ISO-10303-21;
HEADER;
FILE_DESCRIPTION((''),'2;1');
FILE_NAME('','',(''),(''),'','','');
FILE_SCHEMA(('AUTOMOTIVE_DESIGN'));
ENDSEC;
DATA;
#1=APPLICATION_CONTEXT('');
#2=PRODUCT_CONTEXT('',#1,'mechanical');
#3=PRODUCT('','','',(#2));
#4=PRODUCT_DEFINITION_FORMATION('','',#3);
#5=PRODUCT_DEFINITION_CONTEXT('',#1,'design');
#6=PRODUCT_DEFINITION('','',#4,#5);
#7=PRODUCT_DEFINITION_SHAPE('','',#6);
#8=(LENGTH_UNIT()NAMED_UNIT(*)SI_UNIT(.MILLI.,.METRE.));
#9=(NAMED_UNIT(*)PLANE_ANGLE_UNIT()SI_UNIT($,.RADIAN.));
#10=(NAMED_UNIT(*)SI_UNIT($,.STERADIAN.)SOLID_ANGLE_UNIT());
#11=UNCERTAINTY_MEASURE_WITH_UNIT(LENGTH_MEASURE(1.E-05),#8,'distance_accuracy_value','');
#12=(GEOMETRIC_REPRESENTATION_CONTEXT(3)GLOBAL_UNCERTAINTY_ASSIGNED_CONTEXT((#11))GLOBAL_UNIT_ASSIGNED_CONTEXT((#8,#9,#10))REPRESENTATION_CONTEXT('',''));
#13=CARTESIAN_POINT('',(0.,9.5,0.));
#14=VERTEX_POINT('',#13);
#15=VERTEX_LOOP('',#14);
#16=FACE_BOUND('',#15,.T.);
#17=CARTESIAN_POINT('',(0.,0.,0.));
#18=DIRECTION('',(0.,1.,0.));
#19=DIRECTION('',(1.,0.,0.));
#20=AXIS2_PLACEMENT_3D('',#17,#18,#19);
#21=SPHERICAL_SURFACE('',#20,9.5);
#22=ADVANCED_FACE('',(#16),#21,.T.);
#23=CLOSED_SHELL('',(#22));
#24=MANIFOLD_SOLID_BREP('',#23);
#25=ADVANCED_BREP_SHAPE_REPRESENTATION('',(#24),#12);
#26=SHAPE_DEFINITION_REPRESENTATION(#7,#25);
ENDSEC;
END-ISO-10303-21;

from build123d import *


with BuildPart() as part:
    # Sketch1 → Revolve1 (revolve)
    with BuildSketch(Plane.XY):
        with BuildLine():
            Line((0, 9.5), (0, -9.5))
            ThreePointArc((0, -9.5), (9.5, 0), (0, 9.5))
        make_face()
    revolve(axis=Axis((0, 9.5, 0), (0, -1, 0)))


solid = part.part
